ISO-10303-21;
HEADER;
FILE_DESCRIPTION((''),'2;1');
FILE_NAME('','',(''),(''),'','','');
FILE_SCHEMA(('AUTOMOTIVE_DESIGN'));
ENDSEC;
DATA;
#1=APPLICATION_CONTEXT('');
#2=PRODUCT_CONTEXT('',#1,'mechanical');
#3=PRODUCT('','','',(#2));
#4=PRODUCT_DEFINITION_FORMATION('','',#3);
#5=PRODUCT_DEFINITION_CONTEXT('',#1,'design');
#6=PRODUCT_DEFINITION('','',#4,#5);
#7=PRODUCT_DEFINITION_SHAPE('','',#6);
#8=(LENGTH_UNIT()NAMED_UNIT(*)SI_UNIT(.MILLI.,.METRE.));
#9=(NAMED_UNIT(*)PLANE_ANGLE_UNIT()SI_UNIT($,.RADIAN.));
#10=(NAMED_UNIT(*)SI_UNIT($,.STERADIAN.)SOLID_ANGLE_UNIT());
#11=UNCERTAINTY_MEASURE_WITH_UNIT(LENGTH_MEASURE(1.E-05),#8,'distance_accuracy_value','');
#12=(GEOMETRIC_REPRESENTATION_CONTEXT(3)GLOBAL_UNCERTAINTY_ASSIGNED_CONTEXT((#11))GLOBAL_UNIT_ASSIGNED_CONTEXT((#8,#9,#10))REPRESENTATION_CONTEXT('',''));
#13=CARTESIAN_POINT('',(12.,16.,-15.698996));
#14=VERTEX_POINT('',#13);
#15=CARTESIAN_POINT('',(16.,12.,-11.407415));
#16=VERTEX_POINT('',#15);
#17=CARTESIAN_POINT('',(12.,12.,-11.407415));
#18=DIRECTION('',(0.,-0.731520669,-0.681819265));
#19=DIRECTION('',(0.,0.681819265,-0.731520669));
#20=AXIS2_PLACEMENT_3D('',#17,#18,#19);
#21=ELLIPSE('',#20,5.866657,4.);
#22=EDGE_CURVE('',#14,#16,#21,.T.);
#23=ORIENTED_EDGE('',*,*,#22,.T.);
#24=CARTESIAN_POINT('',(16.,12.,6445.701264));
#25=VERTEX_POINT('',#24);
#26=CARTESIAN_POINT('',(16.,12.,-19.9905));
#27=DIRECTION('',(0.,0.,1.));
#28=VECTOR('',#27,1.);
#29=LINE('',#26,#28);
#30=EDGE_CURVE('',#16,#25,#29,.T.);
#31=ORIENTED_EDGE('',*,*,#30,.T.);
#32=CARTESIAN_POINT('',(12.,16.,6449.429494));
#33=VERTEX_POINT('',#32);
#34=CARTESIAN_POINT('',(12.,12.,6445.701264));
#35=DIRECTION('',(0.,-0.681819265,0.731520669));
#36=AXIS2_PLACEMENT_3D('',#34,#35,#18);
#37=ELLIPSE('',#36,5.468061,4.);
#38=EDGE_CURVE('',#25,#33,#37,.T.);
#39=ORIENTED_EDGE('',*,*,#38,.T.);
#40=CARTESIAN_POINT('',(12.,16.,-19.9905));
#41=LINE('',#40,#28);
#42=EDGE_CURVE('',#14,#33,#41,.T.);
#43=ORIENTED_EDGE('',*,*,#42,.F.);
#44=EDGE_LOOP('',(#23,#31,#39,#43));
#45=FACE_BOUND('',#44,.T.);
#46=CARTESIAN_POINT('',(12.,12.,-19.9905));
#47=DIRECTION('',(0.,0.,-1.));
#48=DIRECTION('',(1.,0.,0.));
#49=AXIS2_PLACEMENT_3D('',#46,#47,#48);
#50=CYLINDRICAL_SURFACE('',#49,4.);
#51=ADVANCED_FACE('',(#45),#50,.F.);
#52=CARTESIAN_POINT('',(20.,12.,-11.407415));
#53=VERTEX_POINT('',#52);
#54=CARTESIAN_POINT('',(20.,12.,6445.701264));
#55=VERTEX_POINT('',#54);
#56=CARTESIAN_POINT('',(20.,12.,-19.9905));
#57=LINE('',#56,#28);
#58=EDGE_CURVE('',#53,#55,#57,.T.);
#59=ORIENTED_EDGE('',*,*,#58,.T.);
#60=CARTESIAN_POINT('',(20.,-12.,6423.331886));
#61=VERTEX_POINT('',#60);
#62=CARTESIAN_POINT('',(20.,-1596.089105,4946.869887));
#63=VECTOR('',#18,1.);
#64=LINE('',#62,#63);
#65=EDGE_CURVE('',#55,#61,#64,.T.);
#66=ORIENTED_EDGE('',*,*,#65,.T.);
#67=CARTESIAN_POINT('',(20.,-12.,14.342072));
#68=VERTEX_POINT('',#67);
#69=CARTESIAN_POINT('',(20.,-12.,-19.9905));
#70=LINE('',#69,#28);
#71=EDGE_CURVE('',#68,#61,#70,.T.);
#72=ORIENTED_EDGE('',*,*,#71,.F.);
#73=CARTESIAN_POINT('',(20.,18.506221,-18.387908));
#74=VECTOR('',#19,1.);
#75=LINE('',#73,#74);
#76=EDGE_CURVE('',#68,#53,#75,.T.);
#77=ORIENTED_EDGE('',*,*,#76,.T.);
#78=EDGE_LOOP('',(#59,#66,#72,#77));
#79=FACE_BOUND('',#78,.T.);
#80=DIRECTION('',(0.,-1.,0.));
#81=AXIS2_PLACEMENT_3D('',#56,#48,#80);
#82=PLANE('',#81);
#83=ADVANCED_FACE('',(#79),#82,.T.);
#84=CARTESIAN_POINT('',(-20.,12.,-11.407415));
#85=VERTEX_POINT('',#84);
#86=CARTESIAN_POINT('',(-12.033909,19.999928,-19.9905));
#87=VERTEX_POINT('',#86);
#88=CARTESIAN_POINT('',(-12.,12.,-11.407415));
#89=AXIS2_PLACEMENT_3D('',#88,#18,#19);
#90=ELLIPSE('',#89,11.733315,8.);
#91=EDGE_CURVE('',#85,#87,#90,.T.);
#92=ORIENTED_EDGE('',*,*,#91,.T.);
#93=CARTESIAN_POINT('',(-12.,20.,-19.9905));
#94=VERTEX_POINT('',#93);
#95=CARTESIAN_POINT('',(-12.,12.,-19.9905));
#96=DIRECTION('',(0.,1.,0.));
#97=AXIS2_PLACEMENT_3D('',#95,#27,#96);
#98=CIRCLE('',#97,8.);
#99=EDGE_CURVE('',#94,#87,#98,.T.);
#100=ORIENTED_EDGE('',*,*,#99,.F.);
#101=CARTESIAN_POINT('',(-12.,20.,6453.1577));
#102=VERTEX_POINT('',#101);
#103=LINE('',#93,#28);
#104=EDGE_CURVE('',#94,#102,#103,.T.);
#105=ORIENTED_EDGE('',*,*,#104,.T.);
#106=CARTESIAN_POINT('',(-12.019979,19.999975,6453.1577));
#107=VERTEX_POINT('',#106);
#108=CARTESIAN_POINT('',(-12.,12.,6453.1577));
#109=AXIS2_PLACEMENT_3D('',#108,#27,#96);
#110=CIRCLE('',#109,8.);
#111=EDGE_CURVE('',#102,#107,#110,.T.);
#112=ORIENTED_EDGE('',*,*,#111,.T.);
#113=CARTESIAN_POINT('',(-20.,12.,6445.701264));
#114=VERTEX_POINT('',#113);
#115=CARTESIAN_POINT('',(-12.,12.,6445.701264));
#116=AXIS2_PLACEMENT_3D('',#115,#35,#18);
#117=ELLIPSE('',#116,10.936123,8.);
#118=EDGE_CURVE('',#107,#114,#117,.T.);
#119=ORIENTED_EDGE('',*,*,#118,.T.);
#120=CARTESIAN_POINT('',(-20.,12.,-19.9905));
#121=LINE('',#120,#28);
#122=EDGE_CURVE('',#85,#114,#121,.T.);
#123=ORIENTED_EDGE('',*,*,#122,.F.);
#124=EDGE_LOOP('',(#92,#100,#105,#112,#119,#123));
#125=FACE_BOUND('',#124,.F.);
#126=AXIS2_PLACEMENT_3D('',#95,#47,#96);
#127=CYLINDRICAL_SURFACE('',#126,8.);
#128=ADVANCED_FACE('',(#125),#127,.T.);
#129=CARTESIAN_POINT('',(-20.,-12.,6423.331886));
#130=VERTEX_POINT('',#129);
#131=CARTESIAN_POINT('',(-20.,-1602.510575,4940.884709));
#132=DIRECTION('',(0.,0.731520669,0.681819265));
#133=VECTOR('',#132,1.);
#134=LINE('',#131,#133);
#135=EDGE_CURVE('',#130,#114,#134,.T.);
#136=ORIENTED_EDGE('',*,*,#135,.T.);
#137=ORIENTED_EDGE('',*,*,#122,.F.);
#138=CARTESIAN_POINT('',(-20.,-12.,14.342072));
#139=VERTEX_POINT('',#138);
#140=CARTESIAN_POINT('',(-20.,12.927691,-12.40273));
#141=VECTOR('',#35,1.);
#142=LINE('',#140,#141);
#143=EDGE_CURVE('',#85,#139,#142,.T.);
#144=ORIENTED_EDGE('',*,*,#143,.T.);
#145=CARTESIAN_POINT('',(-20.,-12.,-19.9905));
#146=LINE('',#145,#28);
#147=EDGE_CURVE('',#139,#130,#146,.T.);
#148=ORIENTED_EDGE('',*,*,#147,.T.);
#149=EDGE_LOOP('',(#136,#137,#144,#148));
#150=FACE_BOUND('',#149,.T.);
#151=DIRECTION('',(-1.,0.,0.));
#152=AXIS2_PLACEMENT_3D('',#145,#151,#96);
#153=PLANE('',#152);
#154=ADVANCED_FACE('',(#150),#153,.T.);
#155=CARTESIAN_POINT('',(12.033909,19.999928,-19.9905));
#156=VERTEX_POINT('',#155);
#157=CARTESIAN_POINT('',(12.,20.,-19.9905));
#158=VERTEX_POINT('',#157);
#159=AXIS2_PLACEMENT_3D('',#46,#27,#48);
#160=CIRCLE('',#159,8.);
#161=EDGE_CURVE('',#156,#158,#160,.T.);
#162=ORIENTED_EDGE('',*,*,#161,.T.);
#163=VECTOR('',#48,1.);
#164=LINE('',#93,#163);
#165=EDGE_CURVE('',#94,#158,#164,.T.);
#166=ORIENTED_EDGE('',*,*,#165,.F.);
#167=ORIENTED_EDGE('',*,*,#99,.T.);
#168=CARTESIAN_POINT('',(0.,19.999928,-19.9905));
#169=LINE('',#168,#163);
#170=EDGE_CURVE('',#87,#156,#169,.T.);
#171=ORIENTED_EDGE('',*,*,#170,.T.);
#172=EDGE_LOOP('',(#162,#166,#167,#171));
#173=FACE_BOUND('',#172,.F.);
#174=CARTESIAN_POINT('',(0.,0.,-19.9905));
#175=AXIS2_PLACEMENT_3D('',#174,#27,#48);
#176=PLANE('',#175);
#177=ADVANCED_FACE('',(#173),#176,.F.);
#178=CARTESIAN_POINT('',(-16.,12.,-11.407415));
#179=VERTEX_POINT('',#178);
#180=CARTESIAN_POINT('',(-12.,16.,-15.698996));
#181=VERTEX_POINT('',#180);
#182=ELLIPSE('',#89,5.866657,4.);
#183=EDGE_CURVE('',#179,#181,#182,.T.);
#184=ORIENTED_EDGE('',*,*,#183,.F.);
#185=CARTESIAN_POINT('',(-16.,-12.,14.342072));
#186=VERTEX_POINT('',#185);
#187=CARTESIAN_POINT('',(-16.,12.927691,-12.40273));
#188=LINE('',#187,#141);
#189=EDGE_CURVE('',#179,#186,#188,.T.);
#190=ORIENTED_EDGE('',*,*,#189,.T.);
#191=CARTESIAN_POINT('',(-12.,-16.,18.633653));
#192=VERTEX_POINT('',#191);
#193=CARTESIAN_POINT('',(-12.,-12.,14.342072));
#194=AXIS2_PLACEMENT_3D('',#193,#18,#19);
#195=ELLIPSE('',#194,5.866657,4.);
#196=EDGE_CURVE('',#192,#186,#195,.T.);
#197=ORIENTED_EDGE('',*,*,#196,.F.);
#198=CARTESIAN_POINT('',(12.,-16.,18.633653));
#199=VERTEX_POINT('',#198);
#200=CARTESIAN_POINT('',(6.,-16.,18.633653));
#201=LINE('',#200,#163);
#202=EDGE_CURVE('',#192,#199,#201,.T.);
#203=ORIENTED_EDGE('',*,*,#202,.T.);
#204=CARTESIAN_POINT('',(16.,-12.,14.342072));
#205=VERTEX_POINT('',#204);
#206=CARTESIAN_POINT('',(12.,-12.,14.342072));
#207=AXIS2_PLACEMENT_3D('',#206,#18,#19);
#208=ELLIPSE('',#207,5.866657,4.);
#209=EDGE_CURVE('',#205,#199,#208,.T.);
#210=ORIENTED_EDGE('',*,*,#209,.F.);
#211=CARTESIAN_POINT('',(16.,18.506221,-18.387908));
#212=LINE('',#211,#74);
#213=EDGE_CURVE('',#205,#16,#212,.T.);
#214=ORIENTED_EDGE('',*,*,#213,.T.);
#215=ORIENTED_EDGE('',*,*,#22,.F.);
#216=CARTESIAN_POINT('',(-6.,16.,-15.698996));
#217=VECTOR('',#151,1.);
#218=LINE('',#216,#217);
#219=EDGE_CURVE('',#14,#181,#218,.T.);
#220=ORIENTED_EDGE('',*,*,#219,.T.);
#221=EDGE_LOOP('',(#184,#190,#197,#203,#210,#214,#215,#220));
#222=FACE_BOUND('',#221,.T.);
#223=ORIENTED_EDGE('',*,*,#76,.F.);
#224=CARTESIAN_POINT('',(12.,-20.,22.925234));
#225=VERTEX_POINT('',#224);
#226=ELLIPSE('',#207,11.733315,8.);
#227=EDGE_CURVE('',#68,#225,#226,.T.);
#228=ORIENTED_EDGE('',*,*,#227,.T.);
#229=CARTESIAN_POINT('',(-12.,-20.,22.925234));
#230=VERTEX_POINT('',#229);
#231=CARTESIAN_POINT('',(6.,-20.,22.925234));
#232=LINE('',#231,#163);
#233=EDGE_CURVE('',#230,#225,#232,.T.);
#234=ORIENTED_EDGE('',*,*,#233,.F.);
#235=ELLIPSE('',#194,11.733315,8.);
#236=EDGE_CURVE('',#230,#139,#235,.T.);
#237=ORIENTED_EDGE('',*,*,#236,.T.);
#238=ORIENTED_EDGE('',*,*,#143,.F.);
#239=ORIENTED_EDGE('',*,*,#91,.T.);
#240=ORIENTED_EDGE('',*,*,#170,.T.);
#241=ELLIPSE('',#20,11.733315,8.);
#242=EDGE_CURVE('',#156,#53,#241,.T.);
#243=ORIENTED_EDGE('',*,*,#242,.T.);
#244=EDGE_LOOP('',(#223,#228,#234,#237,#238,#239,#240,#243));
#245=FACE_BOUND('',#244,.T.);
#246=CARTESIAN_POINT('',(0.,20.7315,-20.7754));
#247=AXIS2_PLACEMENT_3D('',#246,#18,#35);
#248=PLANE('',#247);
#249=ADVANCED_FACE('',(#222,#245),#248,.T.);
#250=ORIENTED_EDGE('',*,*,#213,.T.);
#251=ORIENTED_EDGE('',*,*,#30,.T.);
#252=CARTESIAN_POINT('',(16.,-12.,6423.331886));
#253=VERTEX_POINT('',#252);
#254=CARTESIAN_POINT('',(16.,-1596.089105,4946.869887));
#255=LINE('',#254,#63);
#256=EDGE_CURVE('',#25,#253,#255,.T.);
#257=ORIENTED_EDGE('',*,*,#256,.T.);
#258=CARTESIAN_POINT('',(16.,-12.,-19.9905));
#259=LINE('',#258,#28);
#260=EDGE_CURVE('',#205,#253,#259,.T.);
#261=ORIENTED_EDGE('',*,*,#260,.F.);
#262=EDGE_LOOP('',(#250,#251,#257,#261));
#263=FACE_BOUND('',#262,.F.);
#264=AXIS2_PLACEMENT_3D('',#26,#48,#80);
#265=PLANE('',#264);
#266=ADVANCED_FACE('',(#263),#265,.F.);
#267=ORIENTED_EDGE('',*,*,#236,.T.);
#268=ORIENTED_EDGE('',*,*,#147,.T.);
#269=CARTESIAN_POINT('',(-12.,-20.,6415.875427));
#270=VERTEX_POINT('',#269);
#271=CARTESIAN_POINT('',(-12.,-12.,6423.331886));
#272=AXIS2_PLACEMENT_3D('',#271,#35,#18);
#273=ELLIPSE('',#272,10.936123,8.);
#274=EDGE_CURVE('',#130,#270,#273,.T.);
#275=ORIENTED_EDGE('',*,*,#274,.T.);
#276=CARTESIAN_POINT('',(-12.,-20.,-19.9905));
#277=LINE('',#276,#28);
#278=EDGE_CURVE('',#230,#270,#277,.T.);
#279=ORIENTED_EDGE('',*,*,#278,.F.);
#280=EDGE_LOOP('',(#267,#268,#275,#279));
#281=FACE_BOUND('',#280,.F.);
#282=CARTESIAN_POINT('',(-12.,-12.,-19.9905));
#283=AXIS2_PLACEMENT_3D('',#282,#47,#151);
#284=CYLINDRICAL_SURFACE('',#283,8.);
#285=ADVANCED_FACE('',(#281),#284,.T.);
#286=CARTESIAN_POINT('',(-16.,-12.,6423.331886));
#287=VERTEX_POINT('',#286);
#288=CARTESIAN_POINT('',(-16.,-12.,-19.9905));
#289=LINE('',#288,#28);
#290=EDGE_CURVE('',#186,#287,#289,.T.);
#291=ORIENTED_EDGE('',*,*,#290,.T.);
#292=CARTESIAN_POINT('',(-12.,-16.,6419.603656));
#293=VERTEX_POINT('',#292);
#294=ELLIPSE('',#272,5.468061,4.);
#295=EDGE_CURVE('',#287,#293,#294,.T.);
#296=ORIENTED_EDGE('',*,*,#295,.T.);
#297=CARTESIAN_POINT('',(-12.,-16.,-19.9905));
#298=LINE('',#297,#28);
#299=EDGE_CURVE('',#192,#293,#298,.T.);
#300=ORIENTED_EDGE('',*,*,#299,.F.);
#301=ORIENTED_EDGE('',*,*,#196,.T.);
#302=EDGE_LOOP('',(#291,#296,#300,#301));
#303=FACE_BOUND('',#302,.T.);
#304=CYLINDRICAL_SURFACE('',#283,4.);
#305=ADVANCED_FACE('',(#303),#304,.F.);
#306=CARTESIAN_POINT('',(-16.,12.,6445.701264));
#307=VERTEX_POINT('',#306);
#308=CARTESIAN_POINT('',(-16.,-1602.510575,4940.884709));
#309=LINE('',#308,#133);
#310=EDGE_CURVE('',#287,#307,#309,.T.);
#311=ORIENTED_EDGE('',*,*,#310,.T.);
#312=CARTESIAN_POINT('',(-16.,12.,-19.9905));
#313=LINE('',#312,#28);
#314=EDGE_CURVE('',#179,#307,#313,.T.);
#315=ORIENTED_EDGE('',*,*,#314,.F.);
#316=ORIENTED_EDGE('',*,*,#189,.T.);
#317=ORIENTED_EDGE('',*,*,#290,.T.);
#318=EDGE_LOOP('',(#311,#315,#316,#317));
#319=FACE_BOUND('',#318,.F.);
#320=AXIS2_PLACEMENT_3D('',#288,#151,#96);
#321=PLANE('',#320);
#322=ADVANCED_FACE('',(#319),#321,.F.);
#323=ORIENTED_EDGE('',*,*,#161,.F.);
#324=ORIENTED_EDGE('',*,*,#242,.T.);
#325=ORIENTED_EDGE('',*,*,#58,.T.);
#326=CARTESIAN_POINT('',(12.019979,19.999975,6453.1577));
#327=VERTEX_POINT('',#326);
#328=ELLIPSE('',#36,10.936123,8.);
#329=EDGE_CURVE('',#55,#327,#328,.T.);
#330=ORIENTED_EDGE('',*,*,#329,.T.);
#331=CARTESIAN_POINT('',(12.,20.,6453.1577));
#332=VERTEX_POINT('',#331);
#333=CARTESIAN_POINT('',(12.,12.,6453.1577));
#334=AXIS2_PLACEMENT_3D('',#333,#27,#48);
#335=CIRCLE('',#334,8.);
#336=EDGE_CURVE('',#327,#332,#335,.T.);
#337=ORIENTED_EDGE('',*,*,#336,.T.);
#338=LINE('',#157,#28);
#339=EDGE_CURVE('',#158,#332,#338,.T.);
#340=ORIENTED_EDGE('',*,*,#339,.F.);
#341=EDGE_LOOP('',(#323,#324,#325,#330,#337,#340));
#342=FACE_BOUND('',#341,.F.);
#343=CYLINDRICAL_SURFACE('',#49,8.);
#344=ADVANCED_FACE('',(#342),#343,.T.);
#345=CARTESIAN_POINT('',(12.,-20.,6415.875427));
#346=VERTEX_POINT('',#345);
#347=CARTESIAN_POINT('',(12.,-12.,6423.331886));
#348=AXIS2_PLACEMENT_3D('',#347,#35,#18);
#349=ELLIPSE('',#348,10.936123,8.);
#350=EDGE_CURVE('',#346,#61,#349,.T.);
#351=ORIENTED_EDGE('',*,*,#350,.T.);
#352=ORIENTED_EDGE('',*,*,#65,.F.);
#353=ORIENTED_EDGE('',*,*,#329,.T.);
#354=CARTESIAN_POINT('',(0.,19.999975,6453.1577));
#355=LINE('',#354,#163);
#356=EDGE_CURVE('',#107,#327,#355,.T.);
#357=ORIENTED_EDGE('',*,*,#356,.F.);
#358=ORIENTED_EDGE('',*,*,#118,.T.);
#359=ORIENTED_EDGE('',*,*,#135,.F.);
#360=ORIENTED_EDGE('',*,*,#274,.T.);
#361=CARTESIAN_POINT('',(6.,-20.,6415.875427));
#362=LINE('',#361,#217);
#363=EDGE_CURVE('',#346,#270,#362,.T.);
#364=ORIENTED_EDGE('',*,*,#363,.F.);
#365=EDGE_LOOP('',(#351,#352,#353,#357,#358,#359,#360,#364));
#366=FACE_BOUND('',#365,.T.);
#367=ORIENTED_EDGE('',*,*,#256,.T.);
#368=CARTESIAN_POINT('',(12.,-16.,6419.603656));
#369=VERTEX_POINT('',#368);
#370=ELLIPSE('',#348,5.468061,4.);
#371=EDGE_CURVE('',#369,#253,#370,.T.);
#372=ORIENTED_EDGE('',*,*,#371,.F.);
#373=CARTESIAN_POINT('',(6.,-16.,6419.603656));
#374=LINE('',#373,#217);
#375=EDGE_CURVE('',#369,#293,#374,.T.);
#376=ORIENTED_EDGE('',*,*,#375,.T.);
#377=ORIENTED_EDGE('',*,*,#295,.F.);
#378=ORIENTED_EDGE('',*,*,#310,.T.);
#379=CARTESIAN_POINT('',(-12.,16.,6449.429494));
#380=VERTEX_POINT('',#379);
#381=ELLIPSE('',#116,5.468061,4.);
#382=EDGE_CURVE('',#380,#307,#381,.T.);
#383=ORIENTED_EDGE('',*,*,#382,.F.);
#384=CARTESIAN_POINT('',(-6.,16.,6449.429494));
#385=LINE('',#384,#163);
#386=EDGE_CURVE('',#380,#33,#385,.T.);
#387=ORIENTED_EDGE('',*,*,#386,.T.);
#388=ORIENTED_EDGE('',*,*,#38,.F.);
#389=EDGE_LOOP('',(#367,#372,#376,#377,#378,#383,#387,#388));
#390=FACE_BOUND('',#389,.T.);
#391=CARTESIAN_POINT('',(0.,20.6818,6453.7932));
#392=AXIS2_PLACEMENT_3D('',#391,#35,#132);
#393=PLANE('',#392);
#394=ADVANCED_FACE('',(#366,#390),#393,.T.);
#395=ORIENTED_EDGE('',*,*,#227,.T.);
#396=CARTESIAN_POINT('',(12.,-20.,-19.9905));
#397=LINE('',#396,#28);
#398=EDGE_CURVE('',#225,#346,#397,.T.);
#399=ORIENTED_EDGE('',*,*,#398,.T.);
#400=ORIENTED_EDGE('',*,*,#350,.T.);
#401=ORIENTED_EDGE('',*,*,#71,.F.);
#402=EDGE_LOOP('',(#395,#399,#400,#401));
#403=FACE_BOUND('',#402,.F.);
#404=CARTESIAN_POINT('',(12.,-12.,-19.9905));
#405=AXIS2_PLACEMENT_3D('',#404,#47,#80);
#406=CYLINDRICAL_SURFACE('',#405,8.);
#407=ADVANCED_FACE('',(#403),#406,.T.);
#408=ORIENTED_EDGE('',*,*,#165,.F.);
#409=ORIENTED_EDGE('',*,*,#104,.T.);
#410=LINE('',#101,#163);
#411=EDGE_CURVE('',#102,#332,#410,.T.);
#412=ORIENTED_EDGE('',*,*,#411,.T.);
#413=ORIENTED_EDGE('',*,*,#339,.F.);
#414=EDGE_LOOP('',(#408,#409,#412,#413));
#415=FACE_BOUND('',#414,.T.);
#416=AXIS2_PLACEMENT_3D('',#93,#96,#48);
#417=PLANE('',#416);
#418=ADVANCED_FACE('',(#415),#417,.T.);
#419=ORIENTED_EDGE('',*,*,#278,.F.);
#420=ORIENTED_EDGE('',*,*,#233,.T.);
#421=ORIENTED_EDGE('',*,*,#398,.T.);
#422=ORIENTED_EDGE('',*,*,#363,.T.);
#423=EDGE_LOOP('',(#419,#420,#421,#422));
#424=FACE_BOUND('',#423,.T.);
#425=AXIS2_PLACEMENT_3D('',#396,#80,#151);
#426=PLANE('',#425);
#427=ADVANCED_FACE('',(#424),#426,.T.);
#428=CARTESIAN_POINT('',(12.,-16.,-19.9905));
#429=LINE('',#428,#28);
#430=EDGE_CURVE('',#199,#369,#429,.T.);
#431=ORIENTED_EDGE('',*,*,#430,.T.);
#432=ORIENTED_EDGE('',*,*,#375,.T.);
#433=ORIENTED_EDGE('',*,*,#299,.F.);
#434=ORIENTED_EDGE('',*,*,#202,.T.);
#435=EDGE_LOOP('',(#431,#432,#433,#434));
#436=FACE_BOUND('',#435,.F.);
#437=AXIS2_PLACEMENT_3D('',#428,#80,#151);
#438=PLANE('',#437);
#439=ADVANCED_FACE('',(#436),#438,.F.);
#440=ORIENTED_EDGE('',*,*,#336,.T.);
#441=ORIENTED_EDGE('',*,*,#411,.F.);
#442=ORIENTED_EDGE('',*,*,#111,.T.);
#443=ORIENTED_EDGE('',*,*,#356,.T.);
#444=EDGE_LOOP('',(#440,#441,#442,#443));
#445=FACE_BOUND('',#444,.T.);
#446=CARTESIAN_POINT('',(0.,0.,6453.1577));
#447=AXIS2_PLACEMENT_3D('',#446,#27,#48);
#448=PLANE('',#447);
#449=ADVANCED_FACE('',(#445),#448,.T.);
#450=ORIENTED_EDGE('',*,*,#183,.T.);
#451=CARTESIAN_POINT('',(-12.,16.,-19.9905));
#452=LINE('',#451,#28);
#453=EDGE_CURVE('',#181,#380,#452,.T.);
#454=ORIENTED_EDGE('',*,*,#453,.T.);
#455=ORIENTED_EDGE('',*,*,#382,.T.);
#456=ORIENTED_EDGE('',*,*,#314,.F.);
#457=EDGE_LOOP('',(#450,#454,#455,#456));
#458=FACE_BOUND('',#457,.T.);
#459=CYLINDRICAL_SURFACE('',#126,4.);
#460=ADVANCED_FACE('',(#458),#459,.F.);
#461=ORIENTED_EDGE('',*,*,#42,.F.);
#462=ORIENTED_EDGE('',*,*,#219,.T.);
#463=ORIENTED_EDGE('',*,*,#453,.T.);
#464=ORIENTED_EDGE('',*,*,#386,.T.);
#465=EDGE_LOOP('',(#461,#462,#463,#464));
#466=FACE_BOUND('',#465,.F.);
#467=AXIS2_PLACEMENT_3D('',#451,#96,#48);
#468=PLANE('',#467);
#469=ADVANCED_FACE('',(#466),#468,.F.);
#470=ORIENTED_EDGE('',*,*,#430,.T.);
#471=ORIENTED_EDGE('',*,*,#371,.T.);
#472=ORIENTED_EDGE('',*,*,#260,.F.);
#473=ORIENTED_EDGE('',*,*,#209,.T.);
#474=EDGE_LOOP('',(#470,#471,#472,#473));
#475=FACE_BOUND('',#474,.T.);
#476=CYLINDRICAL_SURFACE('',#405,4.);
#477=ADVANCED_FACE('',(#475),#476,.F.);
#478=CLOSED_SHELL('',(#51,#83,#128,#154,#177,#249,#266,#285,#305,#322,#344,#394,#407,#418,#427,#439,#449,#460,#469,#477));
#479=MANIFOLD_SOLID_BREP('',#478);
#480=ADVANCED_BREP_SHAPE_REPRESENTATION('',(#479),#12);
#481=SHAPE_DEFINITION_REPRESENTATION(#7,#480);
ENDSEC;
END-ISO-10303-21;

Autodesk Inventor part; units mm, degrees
ref_plane "Start Plane" through (0, 0, -19.9905) normal (0, 0, 1) x (1, 0, 0)
ref_plane "End Plane" through (0, 0, 6453.1577) normal (0, 0, 1) x (1, 0, 0)
sketch "Sketch" plane through (0, 0, 0) normal (0, 0, 1) x (1, 0, 0)
  line L0 (-20, -12) -> (-20, 12)
  line L1 (-12, 20) -> (12, 20)
  line L2 (20, 12) -> (20, -12)
  line L3 (12, -20) -> (-12, -20)
  arc A0 (-20, -12) -> (-12, -20) centre (-12, -12) ccw
  arc A1 (20, 12) -> (12, 20) centre (12, 12) ccw
  arc A2 (-12, 20) -> (-20, 12) centre (-12, 12) ccw
  arc A3 (12, -20) -> (20, -12) centre (12, -12) ccw
  arc A4 (-12, 16) -> (-16, 12) centre (-12, 12) ccw
  line L4 (-12, 16) -> (12, 16)
  arc A5 (16, 12) -> (12, 16) centre (12, 12) ccw
  line L5 (16, 12) -> (16, -12)
  arc A6 (12, -16) -> (16, -12) centre (12, -12) ccw
  line L6 (12, -16) -> (-12, -16)
  arc A7 (-16, -12) -> (-12, -16) centre (-12, -12) ccw
  line L7 (-16, -12) -> (-16, 12)
  line L8 (0, 30.3196) -> (0, -30.3196) construction
  line L9 (-30.3196, 0) -> (30.3196, 0) construction
  dimension "d7" = 8
  dimension "d9" = 40
  dimension "d11" = 40
  dimension "d12" = 4
  dimension "d15" = 20
  dimension "d16" = 20
extrude "Body" add sketch "Sketch" along normal up to surface (6473.1482 mm away) from surface at -19.9905
sketch "Sketch3" plane through (0, 0, 0) normal (0, 0, 1) x (1, 0, 0)
  line L0 (0, 0) -> (10, 0)
ref_plane "Work Plane3" through (0, 0, 0) normal (0, -1, 0) x (1, 0, 0)
ref_plane "Work Plane4" through (0, 20.6818, 6453.7932) normal (0, -0.6818, 0.7315) x (1, 0, 0)
split "Split1" plane through (0, 20.6818, 6453.7932) removes the side toward (0, -0.6818, 0.7315)
ref_plane "Work Plane5" through (0, 20.7315, -20.7754) normal (0, -0.7315, -0.6818) x (1, 0, 0)
split "Split2" plane through (0, 20.7315, -20.7754) removes the side toward (0, -0.7315, -0.6818)
sketch "Sketch4" plane through (0, 0, 0) normal (0, -1, 0) x (1, 0, 0)
  line L0 (-2, -19.9905) -> (12, -19.9905) projected
  line L1 (-2, 6453.1577) -> (12, 6453.1577) projected
  dimension "d18" = 6473.1482
equation "\"d7\" = G_IR"
equation "\"d9\" = G_W"
equation "\"d11\" = G_H"
equation "\"d12\" = G_T"
equation "\"d15\" = 0.5 * d9"
equation "\"d16\" = 0.5 * d11"
equation "\"d3\" = G_L"
equation "\"G_W\" = 40"
equation "\"G_H\" = 40"
equation "\"G_T\" = 4"
equation "\"G_IR\" = 8"
equation "\"G_L\" = d18"
equation "\"G_OFFSET_START\" = 19.99054"
equation "\"G_OFFSET_END\" = 17.27474"
equation "\"d13\" = -G_OFFSET_START"
equation "\"d14\" = G_OFFSET_END + B_L"
equation "\"B_L\" = 6435.88292"
properties part number "ISO 10799-2 - 40x40x4 - 6473,15" material "Steel, Mild"
